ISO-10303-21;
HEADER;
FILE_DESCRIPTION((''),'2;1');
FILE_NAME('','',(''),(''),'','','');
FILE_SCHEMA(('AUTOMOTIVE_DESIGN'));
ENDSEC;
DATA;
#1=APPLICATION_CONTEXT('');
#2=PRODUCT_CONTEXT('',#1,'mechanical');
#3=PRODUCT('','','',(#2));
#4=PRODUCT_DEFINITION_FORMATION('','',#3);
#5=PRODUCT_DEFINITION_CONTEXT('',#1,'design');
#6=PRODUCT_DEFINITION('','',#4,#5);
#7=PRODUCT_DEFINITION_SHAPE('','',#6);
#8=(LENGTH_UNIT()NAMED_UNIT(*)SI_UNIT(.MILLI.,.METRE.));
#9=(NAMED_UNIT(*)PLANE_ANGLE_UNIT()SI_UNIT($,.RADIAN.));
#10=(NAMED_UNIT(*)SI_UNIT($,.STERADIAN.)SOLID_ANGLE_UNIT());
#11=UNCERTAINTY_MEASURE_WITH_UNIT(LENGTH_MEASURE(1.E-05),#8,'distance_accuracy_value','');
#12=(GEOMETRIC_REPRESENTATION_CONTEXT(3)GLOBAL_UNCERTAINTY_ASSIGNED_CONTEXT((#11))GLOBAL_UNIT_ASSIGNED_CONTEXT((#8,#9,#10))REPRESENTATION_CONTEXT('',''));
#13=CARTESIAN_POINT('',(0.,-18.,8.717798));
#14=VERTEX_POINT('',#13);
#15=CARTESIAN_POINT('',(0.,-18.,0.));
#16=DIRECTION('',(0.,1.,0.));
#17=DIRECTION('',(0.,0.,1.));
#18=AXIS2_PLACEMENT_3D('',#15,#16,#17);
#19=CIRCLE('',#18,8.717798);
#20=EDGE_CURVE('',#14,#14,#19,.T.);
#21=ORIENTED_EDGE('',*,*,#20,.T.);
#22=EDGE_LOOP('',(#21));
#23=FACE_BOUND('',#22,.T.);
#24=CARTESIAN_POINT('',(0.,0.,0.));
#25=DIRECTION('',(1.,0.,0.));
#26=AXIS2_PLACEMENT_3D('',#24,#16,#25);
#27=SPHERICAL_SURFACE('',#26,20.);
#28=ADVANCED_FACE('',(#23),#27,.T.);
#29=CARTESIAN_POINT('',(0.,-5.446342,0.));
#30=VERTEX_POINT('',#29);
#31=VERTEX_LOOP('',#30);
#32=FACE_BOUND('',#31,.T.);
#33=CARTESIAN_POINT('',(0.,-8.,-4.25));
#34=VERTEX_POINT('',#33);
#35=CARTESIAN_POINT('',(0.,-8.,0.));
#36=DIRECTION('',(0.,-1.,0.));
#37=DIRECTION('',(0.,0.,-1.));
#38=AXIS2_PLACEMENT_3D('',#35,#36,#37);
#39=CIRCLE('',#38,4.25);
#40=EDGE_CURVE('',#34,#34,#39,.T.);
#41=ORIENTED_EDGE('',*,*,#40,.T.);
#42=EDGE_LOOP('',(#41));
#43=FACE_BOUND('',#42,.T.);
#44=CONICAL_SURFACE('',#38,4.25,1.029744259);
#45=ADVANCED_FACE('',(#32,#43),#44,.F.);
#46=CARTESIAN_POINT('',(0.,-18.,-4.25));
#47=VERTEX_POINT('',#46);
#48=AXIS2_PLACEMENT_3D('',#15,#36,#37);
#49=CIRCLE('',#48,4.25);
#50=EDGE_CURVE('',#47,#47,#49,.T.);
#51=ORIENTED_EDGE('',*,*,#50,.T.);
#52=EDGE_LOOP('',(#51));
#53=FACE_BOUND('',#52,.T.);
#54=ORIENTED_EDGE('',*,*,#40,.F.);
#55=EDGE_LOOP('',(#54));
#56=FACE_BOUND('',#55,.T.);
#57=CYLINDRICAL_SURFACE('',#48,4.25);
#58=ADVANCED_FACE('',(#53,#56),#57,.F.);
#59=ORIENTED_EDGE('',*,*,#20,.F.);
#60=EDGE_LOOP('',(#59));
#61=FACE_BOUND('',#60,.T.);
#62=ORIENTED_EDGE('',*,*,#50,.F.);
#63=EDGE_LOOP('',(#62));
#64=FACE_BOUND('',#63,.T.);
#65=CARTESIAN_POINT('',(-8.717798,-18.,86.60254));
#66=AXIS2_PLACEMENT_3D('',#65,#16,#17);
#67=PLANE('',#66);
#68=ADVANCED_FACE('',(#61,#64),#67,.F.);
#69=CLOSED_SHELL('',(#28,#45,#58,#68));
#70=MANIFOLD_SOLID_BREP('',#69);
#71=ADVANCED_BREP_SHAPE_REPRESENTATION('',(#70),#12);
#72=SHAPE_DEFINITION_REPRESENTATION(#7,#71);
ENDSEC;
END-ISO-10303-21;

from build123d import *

# Parameters (mm, degrees)
KES_EKSTR_ZYON1_DEPTH      = 35.641016151
KES_EKSTR_ZYON1_DEPTH_BACK = 35.641016151
M10_DI_LI_DELIK1_D         = 8.5
M10_DI_LI_DELIK1_DEPTH     = 10
M10_DI_LI_DELIK1_TIP       = 2.553657631


with BuildPart() as part:
    # Çizim1 → Döndür1 (revolve)
    with BuildSketch(Plane.XY):
        with BuildLine():
            Line((0, 20), (0, -20))
            ThreePointArc((0, -20), (20, 0), (0, 20))
        make_face()
    revolve(axis=Axis((0, 20, 0), (0, -1, 0)))

    # Çizim2 → Kes-Ekstrüzyon1 (cut, two sides: drawn at the far end of the back side and taken through both)
    with BuildSketch(Plane.XY.offset(-KES_EKSTR_ZYON1_DEPTH_BACK)):
        Polygon((-113.979792733, -18), (-8.717797887, -18), (8.717797887, -18), (113.979792733, -18), (113.979792733, -228.523989691), (-113.979792733, -228.523989691), align=None)
    extrude(amount=KES_EKSTR_ZYON1_DEPTH + KES_EKSTR_ZYON1_DEPTH_BACK, mode=Mode.SUBTRACT)

    # M10 Dişli Delik1
    with Locations(Plane(origin=(0, -18, 0), x_dir=(-1, 0, 0), z_dir=(0, -1, 0))):
        with Locations((0, 0)):
            Hole(M10_DI_LI_DELIK1_D / 2, depth=M10_DI_LI_DELIK1_DEPTH)
            with Locations((0, 0, -(M10_DI_LI_DELIK1_DEPTH + M10_DI_LI_DELIK1_TIP / 2))):  # 118° drill point
                Cone(0, M10_DI_LI_DELIK1_D / 2, M10_DI_LI_DELIK1_TIP, mode=Mode.SUBTRACT)


solid = part.part
